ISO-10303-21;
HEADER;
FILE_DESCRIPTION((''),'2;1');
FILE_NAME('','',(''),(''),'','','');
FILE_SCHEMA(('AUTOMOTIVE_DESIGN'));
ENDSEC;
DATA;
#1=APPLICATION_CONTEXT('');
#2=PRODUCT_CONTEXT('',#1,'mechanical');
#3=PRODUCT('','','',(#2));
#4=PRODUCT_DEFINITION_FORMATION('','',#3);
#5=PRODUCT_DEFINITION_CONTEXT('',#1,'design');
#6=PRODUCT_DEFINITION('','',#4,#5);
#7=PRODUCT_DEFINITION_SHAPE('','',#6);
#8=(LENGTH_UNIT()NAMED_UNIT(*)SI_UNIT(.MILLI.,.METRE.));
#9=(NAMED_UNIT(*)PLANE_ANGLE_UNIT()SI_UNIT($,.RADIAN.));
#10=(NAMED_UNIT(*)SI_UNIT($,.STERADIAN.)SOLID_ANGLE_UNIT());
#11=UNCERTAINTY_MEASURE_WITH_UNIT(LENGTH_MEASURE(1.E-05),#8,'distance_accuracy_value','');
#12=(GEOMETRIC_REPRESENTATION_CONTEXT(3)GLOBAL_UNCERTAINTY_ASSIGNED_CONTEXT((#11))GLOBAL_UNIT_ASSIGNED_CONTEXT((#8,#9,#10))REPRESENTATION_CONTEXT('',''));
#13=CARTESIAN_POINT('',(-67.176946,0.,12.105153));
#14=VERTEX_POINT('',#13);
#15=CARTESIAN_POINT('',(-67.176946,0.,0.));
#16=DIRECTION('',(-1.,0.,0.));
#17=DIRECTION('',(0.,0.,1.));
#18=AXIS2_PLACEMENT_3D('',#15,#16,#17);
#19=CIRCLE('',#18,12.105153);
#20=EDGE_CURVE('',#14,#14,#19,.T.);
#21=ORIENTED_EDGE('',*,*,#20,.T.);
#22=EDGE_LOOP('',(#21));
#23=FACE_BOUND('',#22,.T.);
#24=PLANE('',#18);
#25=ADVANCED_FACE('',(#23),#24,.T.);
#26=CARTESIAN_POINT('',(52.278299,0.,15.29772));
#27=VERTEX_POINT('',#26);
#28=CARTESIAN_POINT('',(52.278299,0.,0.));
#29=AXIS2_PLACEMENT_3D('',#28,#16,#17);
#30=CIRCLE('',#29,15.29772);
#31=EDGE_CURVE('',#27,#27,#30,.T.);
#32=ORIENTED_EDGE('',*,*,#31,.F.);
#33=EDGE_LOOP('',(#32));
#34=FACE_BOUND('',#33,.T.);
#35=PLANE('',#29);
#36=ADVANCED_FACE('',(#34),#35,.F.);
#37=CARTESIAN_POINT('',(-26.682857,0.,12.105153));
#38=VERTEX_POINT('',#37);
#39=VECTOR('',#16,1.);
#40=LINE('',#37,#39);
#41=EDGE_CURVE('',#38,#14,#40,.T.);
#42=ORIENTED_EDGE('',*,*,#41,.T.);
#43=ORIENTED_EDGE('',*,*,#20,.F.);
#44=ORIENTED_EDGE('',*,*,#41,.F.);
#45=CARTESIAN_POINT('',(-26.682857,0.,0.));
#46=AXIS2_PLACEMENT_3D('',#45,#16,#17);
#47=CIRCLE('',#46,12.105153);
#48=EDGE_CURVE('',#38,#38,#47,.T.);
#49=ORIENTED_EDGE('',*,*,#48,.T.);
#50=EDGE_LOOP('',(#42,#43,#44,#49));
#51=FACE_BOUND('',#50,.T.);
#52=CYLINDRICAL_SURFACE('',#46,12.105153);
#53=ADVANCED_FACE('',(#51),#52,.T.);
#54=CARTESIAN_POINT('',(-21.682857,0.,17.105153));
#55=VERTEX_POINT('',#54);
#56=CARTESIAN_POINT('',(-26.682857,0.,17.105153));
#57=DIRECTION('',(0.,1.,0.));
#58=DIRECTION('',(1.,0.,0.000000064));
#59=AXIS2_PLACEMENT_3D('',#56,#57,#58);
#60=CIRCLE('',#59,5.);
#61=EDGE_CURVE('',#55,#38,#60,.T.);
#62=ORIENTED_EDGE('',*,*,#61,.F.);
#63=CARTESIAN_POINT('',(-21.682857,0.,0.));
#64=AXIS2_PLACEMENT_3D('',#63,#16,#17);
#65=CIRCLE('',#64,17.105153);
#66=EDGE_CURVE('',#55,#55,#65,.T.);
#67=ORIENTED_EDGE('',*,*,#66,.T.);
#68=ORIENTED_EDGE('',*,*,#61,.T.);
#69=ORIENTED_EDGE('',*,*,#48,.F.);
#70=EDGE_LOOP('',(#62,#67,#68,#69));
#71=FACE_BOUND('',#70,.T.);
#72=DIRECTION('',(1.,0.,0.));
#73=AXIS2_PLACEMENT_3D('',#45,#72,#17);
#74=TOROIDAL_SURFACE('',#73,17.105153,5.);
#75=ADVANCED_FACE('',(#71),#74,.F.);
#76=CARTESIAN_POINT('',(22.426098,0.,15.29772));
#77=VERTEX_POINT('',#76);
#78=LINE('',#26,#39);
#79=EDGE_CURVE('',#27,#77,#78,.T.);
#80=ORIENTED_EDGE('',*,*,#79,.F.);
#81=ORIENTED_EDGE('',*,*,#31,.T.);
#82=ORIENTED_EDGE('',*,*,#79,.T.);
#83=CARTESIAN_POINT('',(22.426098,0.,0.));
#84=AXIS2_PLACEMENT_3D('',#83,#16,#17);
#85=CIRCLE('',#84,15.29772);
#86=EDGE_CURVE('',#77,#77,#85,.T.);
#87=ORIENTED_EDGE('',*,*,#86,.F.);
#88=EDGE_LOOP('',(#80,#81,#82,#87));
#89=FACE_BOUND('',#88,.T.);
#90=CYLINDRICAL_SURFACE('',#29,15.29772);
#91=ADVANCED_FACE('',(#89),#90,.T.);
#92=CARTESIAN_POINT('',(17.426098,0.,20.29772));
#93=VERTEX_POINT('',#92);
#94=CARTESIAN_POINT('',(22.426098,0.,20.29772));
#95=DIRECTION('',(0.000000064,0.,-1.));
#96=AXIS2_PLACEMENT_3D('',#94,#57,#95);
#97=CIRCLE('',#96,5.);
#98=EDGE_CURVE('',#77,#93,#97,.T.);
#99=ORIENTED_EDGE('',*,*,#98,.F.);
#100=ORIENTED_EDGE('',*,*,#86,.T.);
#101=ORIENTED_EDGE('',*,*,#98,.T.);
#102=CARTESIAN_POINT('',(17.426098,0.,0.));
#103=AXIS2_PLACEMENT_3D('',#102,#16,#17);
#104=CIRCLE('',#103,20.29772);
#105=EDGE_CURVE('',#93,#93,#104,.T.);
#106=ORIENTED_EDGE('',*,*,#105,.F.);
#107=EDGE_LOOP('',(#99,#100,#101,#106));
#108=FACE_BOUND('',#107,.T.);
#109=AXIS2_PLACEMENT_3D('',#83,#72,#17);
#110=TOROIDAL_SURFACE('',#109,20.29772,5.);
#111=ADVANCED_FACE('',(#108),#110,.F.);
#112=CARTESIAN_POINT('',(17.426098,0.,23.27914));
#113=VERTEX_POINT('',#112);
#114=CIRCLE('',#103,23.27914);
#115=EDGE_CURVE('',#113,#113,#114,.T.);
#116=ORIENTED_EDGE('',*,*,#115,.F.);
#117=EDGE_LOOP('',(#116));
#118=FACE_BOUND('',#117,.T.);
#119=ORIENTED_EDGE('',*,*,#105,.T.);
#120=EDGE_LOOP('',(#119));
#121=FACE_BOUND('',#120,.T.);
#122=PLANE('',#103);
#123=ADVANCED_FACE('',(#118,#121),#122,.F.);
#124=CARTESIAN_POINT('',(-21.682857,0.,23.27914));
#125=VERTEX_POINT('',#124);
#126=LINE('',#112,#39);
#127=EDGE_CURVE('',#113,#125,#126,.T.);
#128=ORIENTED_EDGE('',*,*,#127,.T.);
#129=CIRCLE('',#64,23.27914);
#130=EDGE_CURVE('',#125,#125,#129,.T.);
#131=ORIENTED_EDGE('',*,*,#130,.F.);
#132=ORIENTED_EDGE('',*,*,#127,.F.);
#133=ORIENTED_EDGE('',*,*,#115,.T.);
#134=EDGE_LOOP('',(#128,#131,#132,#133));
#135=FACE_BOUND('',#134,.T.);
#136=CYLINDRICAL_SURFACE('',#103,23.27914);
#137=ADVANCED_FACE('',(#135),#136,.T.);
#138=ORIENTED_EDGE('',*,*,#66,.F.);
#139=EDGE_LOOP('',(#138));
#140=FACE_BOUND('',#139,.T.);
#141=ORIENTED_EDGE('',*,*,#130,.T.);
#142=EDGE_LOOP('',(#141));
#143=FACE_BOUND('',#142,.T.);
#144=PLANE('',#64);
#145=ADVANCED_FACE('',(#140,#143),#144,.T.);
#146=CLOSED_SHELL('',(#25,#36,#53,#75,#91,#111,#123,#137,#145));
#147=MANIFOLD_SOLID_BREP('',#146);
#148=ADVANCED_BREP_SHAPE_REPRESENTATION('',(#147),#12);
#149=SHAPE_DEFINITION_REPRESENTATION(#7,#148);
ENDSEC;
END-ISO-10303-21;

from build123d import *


with BuildPart() as f1:
    # F0 (on Front) → F1 (revolve)
    with BuildSketch(Plane.XZ):
        with BuildLine():
            Line((-67.176946, 0), (0, 0))
            Line((0, 0), (52.278299, 0))
            Line((52.278299, 0), (52.278299, 15.29772))
            Line((52.278299, 15.29772), (22.426098, 15.29772))
            ThreePointArc((22.426098, 15.29772), (18.890564, 16.762186), (17.426098, 20.29772))
            Line((17.426098, 20.29772), (17.426098, 23.27914))
            Line((17.426098, 23.27914), (-21.682857, 23.27914))
            Line((-21.682857, 23.27914), (-21.682857, 17.105153))
            ThreePointArc((-21.682857, 17.105153), (-23.147323, 13.569619), (-26.682857, 12.105153))
            Line((-26.682857, 12.105153), (-67.176946, 12.105153))
            Line((-67.176946, 12.105153), (-67.176946, 0))
        make_face()
    revolve(axis=Axis((-33.588473, 0, 0), (-1, 0, 0)))


solid = f1.part
